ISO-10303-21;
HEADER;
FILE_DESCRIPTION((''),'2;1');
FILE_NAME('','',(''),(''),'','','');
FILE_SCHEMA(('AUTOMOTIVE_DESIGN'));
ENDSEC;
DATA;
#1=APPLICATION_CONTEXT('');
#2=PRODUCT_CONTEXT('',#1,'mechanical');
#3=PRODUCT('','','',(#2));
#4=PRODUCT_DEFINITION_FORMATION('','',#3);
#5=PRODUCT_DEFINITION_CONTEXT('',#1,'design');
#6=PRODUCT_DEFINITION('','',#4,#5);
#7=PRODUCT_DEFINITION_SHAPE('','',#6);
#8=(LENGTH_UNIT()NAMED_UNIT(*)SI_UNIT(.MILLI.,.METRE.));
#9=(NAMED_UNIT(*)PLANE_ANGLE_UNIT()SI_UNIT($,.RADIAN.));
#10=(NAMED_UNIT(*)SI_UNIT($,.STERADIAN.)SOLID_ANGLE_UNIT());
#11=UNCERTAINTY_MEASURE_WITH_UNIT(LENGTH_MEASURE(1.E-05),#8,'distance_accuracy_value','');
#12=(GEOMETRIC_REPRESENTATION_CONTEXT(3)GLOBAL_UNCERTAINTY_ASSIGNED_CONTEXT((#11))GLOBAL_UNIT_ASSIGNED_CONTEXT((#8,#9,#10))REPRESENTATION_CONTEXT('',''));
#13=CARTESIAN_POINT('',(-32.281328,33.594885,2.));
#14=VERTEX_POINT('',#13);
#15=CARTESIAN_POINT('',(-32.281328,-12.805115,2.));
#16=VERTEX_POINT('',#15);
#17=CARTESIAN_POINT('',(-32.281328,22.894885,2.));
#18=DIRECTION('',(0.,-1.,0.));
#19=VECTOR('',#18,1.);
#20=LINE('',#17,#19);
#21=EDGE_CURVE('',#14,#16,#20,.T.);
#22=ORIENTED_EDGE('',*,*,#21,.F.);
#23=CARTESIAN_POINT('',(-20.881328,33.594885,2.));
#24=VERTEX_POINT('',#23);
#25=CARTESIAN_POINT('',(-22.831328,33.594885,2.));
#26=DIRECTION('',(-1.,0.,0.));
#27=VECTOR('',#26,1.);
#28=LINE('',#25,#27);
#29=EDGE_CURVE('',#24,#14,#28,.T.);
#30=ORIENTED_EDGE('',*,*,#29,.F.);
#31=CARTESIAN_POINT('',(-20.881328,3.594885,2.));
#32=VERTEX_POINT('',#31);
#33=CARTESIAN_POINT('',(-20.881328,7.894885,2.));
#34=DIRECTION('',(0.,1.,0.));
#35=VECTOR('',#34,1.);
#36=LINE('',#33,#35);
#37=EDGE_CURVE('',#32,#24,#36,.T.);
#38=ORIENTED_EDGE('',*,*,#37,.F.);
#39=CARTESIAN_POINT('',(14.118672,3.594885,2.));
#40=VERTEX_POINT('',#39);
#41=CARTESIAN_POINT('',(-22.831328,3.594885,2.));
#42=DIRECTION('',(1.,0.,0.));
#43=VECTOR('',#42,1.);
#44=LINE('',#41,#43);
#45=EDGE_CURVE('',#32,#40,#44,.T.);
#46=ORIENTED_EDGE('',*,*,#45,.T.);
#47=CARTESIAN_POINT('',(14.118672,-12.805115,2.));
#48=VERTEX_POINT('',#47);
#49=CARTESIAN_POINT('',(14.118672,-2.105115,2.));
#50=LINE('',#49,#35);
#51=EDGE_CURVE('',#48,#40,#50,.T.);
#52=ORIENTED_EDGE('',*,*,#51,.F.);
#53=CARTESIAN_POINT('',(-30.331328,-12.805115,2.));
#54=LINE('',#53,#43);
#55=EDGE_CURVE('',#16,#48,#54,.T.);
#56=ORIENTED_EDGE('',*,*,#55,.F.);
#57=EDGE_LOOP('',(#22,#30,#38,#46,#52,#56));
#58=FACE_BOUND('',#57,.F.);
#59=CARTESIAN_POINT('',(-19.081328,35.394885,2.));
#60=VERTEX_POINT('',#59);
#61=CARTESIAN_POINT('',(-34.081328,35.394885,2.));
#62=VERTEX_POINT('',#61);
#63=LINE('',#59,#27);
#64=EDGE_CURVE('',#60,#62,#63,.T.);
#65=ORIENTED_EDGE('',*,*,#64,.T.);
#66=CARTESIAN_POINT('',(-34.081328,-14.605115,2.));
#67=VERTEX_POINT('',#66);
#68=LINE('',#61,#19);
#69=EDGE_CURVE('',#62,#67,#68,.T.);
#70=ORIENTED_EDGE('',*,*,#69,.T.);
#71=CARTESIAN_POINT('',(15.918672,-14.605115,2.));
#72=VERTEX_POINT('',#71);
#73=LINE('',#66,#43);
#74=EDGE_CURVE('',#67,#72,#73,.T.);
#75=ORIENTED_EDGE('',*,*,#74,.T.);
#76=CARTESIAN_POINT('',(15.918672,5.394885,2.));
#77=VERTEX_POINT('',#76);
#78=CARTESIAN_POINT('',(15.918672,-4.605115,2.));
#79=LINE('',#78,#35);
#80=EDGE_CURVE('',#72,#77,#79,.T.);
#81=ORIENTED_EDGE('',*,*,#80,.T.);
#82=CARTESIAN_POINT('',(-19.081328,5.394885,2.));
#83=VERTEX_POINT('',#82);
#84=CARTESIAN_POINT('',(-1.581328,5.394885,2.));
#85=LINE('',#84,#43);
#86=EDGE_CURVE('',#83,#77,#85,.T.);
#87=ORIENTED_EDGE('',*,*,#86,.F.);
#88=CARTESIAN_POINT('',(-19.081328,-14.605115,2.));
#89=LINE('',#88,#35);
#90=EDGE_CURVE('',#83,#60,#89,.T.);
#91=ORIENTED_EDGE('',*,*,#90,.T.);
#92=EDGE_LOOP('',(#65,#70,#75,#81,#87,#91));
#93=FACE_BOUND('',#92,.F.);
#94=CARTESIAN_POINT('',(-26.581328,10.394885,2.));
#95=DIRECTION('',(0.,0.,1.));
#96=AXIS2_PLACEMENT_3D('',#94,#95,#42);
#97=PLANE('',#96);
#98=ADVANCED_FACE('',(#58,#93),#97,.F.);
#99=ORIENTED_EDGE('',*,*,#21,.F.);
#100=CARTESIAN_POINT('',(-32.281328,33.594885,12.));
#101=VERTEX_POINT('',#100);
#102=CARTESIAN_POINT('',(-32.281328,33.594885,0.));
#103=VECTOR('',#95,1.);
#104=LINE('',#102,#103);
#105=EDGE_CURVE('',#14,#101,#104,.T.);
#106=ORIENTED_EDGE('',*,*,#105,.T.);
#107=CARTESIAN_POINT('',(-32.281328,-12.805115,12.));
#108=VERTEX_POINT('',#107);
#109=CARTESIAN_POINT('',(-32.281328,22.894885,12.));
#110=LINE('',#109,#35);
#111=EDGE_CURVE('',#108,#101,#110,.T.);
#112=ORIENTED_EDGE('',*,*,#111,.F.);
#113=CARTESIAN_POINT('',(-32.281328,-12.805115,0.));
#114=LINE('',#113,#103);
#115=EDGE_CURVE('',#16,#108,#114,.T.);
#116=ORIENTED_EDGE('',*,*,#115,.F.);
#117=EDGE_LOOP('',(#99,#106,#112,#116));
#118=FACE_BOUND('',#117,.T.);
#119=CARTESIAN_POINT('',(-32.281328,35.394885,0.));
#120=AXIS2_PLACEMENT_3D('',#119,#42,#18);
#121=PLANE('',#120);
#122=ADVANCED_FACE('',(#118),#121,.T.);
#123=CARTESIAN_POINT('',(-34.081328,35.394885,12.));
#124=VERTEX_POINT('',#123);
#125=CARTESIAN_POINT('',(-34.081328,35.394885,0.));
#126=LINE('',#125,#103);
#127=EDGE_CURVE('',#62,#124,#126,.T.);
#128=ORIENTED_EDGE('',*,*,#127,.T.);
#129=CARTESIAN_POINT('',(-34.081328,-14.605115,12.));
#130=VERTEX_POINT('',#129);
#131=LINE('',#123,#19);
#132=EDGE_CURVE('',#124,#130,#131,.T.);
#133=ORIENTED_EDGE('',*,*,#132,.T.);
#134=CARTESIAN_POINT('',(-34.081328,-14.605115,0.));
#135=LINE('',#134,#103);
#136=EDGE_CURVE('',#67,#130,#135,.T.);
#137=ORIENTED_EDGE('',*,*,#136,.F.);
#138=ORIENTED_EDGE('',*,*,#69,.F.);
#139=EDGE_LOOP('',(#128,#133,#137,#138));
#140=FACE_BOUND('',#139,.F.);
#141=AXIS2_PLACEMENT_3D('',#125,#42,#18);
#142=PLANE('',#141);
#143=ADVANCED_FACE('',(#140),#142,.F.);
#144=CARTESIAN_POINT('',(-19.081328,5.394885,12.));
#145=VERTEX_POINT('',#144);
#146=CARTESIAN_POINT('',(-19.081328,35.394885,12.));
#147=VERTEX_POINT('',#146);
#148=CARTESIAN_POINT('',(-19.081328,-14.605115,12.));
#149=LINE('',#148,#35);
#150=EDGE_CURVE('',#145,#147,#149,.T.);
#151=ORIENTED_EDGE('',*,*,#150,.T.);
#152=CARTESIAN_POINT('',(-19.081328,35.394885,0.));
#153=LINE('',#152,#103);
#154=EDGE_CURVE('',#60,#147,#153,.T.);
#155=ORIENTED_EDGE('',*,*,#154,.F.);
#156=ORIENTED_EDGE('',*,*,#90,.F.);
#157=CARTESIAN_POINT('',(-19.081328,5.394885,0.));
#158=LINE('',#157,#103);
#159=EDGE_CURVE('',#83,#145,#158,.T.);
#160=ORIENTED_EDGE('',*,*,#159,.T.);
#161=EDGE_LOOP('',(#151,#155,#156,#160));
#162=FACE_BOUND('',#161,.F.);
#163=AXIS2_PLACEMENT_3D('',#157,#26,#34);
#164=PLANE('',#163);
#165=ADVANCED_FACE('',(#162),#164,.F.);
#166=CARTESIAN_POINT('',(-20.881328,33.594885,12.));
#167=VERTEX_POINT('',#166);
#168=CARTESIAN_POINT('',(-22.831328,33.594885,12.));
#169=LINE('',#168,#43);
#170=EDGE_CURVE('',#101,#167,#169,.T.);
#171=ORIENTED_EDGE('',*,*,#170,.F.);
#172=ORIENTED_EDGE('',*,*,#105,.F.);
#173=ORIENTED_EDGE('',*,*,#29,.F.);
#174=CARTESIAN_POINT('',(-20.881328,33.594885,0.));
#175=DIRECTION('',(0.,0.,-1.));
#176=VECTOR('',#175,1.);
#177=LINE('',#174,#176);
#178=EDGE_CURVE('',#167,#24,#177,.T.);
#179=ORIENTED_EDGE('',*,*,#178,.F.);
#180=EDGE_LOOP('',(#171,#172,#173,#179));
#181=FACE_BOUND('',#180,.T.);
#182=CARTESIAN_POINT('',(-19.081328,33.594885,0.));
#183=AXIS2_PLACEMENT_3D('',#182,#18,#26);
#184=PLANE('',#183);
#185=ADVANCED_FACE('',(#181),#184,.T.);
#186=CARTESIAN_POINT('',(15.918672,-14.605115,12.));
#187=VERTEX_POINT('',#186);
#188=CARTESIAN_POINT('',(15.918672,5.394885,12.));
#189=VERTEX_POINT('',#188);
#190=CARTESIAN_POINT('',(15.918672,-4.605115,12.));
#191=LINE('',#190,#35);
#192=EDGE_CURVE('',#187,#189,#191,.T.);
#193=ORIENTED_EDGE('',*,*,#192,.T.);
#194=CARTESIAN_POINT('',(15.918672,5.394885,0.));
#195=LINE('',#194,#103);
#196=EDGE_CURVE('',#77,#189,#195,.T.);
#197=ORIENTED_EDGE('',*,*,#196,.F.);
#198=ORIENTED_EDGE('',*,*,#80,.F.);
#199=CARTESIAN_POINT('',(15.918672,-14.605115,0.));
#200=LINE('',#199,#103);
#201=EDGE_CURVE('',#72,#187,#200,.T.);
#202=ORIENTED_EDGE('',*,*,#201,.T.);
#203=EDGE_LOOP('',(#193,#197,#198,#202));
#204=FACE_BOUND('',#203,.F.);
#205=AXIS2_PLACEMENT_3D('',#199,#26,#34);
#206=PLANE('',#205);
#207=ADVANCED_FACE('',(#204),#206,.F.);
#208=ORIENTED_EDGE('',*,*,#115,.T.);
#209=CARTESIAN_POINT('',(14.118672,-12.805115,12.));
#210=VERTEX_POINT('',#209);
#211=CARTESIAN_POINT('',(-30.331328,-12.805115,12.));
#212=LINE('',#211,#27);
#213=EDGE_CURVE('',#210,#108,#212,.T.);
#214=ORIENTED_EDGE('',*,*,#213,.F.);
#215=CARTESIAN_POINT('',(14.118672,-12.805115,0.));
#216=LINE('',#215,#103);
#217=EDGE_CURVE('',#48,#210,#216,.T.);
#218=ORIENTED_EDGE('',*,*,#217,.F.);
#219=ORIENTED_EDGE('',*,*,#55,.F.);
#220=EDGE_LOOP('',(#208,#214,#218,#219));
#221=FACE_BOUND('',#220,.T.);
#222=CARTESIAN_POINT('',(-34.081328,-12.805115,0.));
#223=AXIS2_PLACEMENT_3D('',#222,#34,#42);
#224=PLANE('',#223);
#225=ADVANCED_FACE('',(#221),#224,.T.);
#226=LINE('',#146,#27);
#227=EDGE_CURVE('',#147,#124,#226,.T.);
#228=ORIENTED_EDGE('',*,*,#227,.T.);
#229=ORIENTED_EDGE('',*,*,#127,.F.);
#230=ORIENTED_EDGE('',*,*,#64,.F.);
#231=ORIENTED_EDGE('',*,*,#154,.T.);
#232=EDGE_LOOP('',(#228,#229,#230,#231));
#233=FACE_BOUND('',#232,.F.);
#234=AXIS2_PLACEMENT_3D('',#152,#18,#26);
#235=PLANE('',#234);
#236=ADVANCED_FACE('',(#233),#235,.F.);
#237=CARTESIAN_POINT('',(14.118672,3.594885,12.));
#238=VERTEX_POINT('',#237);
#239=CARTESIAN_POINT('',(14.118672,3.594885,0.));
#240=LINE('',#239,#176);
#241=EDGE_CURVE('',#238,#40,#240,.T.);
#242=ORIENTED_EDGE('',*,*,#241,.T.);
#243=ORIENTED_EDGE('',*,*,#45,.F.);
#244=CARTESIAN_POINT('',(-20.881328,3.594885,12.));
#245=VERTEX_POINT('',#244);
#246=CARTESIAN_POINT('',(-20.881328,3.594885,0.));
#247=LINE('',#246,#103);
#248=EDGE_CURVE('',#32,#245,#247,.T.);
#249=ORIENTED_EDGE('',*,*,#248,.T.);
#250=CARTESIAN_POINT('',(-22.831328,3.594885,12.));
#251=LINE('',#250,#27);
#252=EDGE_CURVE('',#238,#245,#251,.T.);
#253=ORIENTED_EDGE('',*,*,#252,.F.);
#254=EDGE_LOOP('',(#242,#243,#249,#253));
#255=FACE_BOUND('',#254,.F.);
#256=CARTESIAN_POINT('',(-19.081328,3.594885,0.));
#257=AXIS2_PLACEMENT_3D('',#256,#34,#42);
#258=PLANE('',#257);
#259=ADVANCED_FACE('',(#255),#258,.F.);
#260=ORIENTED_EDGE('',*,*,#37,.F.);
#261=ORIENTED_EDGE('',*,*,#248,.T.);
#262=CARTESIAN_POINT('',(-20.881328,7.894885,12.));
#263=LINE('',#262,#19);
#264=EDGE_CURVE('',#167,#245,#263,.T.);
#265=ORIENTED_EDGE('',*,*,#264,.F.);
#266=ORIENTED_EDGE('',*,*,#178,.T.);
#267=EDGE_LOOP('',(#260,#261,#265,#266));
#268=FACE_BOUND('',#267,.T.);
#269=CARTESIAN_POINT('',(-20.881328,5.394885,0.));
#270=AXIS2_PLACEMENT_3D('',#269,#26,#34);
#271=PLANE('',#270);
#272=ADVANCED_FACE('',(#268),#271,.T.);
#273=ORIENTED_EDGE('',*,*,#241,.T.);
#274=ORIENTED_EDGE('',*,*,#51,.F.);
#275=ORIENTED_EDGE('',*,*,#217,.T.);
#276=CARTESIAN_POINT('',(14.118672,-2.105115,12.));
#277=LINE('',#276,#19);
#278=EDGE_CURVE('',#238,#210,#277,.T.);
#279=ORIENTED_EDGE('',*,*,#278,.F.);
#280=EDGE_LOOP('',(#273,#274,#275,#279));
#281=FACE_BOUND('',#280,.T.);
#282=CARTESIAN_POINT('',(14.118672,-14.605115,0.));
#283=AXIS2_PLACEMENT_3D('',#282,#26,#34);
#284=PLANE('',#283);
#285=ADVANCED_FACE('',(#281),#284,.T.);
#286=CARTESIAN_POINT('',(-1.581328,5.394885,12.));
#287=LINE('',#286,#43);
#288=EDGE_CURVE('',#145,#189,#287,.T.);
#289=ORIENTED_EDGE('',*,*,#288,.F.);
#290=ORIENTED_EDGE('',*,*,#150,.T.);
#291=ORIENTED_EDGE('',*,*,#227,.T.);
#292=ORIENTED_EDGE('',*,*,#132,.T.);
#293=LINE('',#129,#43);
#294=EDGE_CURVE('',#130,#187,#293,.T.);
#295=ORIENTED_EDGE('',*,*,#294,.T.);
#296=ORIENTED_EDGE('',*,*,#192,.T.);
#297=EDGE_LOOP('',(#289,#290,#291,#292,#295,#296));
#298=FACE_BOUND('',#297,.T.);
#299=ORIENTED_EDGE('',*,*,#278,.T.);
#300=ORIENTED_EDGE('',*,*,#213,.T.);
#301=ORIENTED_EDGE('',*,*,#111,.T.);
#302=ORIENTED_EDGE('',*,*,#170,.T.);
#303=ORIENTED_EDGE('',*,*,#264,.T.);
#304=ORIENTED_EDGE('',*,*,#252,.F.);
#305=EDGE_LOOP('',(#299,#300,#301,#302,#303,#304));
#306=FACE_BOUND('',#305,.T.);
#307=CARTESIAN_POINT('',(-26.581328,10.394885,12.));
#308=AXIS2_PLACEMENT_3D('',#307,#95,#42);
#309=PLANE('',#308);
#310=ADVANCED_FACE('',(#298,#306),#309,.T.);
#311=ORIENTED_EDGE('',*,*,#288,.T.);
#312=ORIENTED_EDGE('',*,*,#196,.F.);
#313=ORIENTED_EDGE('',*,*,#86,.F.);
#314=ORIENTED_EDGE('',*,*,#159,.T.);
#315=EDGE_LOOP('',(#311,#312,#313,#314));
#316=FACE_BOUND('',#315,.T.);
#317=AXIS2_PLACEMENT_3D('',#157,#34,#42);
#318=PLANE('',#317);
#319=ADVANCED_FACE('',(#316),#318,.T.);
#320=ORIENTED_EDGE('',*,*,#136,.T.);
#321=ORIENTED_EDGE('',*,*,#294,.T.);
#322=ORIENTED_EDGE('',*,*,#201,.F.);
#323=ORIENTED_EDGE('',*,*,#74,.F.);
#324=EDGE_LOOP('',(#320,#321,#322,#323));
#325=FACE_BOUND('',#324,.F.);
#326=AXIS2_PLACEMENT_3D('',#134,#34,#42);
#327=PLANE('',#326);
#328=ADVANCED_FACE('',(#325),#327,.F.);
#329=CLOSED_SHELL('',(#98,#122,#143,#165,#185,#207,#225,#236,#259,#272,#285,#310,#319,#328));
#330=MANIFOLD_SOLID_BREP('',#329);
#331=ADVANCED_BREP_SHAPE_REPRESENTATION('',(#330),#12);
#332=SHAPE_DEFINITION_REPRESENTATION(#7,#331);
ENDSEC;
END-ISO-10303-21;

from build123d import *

# Parameters (mm, degrees)
F0_W     = 35
F0_H     = 20
F1_DEPTH = 12
F2_T     = -1.8
F3_DEPTH = 2


with BuildPart() as f1:
    # F0 (on Top) → F1 (new body)
    with BuildSketch(Plane.XY):
        Polygon((-19.0813283622, 35.3948845826), (-34.0813283622, 35.3948845826), (-34.0813283622, -14.6051154174), (-19.0813283622, -14.6051154174), (-19.0813283622, 5.3948845826), align=None)
        with Locations((-1.5813283622, -4.6051154174)):
            Rectangle(F0_W, F0_H)
    extrude(amount=F1_DEPTH)

    # F2
    f2_openings = [f1.faces().sort_by_distance(p)[0] for p in [
        (-14.512363, 3.153505, 12),
    ]]
    offset(amount=F2_T, openings=f2_openings, kind=Kind.INTERSECTION)

    # F0 (on Top) → F3 (cut)
    with BuildSketch(Plane.XY):
        Polygon((-19.0813283622, 35.3948845826), (-34.0813283622, 35.3948845826), (-34.0813283622, -14.6051154174), (-19.0813283622, -14.6051154174), (-19.0813283622, 5.3948845826), align=None)
        with Locations((-1.5813283622, -4.6051154174)):
            Rectangle(F0_W, F0_H)
    extrude(amount=F3_DEPTH, mode=Mode.SUBTRACT)


solid = f1.part
